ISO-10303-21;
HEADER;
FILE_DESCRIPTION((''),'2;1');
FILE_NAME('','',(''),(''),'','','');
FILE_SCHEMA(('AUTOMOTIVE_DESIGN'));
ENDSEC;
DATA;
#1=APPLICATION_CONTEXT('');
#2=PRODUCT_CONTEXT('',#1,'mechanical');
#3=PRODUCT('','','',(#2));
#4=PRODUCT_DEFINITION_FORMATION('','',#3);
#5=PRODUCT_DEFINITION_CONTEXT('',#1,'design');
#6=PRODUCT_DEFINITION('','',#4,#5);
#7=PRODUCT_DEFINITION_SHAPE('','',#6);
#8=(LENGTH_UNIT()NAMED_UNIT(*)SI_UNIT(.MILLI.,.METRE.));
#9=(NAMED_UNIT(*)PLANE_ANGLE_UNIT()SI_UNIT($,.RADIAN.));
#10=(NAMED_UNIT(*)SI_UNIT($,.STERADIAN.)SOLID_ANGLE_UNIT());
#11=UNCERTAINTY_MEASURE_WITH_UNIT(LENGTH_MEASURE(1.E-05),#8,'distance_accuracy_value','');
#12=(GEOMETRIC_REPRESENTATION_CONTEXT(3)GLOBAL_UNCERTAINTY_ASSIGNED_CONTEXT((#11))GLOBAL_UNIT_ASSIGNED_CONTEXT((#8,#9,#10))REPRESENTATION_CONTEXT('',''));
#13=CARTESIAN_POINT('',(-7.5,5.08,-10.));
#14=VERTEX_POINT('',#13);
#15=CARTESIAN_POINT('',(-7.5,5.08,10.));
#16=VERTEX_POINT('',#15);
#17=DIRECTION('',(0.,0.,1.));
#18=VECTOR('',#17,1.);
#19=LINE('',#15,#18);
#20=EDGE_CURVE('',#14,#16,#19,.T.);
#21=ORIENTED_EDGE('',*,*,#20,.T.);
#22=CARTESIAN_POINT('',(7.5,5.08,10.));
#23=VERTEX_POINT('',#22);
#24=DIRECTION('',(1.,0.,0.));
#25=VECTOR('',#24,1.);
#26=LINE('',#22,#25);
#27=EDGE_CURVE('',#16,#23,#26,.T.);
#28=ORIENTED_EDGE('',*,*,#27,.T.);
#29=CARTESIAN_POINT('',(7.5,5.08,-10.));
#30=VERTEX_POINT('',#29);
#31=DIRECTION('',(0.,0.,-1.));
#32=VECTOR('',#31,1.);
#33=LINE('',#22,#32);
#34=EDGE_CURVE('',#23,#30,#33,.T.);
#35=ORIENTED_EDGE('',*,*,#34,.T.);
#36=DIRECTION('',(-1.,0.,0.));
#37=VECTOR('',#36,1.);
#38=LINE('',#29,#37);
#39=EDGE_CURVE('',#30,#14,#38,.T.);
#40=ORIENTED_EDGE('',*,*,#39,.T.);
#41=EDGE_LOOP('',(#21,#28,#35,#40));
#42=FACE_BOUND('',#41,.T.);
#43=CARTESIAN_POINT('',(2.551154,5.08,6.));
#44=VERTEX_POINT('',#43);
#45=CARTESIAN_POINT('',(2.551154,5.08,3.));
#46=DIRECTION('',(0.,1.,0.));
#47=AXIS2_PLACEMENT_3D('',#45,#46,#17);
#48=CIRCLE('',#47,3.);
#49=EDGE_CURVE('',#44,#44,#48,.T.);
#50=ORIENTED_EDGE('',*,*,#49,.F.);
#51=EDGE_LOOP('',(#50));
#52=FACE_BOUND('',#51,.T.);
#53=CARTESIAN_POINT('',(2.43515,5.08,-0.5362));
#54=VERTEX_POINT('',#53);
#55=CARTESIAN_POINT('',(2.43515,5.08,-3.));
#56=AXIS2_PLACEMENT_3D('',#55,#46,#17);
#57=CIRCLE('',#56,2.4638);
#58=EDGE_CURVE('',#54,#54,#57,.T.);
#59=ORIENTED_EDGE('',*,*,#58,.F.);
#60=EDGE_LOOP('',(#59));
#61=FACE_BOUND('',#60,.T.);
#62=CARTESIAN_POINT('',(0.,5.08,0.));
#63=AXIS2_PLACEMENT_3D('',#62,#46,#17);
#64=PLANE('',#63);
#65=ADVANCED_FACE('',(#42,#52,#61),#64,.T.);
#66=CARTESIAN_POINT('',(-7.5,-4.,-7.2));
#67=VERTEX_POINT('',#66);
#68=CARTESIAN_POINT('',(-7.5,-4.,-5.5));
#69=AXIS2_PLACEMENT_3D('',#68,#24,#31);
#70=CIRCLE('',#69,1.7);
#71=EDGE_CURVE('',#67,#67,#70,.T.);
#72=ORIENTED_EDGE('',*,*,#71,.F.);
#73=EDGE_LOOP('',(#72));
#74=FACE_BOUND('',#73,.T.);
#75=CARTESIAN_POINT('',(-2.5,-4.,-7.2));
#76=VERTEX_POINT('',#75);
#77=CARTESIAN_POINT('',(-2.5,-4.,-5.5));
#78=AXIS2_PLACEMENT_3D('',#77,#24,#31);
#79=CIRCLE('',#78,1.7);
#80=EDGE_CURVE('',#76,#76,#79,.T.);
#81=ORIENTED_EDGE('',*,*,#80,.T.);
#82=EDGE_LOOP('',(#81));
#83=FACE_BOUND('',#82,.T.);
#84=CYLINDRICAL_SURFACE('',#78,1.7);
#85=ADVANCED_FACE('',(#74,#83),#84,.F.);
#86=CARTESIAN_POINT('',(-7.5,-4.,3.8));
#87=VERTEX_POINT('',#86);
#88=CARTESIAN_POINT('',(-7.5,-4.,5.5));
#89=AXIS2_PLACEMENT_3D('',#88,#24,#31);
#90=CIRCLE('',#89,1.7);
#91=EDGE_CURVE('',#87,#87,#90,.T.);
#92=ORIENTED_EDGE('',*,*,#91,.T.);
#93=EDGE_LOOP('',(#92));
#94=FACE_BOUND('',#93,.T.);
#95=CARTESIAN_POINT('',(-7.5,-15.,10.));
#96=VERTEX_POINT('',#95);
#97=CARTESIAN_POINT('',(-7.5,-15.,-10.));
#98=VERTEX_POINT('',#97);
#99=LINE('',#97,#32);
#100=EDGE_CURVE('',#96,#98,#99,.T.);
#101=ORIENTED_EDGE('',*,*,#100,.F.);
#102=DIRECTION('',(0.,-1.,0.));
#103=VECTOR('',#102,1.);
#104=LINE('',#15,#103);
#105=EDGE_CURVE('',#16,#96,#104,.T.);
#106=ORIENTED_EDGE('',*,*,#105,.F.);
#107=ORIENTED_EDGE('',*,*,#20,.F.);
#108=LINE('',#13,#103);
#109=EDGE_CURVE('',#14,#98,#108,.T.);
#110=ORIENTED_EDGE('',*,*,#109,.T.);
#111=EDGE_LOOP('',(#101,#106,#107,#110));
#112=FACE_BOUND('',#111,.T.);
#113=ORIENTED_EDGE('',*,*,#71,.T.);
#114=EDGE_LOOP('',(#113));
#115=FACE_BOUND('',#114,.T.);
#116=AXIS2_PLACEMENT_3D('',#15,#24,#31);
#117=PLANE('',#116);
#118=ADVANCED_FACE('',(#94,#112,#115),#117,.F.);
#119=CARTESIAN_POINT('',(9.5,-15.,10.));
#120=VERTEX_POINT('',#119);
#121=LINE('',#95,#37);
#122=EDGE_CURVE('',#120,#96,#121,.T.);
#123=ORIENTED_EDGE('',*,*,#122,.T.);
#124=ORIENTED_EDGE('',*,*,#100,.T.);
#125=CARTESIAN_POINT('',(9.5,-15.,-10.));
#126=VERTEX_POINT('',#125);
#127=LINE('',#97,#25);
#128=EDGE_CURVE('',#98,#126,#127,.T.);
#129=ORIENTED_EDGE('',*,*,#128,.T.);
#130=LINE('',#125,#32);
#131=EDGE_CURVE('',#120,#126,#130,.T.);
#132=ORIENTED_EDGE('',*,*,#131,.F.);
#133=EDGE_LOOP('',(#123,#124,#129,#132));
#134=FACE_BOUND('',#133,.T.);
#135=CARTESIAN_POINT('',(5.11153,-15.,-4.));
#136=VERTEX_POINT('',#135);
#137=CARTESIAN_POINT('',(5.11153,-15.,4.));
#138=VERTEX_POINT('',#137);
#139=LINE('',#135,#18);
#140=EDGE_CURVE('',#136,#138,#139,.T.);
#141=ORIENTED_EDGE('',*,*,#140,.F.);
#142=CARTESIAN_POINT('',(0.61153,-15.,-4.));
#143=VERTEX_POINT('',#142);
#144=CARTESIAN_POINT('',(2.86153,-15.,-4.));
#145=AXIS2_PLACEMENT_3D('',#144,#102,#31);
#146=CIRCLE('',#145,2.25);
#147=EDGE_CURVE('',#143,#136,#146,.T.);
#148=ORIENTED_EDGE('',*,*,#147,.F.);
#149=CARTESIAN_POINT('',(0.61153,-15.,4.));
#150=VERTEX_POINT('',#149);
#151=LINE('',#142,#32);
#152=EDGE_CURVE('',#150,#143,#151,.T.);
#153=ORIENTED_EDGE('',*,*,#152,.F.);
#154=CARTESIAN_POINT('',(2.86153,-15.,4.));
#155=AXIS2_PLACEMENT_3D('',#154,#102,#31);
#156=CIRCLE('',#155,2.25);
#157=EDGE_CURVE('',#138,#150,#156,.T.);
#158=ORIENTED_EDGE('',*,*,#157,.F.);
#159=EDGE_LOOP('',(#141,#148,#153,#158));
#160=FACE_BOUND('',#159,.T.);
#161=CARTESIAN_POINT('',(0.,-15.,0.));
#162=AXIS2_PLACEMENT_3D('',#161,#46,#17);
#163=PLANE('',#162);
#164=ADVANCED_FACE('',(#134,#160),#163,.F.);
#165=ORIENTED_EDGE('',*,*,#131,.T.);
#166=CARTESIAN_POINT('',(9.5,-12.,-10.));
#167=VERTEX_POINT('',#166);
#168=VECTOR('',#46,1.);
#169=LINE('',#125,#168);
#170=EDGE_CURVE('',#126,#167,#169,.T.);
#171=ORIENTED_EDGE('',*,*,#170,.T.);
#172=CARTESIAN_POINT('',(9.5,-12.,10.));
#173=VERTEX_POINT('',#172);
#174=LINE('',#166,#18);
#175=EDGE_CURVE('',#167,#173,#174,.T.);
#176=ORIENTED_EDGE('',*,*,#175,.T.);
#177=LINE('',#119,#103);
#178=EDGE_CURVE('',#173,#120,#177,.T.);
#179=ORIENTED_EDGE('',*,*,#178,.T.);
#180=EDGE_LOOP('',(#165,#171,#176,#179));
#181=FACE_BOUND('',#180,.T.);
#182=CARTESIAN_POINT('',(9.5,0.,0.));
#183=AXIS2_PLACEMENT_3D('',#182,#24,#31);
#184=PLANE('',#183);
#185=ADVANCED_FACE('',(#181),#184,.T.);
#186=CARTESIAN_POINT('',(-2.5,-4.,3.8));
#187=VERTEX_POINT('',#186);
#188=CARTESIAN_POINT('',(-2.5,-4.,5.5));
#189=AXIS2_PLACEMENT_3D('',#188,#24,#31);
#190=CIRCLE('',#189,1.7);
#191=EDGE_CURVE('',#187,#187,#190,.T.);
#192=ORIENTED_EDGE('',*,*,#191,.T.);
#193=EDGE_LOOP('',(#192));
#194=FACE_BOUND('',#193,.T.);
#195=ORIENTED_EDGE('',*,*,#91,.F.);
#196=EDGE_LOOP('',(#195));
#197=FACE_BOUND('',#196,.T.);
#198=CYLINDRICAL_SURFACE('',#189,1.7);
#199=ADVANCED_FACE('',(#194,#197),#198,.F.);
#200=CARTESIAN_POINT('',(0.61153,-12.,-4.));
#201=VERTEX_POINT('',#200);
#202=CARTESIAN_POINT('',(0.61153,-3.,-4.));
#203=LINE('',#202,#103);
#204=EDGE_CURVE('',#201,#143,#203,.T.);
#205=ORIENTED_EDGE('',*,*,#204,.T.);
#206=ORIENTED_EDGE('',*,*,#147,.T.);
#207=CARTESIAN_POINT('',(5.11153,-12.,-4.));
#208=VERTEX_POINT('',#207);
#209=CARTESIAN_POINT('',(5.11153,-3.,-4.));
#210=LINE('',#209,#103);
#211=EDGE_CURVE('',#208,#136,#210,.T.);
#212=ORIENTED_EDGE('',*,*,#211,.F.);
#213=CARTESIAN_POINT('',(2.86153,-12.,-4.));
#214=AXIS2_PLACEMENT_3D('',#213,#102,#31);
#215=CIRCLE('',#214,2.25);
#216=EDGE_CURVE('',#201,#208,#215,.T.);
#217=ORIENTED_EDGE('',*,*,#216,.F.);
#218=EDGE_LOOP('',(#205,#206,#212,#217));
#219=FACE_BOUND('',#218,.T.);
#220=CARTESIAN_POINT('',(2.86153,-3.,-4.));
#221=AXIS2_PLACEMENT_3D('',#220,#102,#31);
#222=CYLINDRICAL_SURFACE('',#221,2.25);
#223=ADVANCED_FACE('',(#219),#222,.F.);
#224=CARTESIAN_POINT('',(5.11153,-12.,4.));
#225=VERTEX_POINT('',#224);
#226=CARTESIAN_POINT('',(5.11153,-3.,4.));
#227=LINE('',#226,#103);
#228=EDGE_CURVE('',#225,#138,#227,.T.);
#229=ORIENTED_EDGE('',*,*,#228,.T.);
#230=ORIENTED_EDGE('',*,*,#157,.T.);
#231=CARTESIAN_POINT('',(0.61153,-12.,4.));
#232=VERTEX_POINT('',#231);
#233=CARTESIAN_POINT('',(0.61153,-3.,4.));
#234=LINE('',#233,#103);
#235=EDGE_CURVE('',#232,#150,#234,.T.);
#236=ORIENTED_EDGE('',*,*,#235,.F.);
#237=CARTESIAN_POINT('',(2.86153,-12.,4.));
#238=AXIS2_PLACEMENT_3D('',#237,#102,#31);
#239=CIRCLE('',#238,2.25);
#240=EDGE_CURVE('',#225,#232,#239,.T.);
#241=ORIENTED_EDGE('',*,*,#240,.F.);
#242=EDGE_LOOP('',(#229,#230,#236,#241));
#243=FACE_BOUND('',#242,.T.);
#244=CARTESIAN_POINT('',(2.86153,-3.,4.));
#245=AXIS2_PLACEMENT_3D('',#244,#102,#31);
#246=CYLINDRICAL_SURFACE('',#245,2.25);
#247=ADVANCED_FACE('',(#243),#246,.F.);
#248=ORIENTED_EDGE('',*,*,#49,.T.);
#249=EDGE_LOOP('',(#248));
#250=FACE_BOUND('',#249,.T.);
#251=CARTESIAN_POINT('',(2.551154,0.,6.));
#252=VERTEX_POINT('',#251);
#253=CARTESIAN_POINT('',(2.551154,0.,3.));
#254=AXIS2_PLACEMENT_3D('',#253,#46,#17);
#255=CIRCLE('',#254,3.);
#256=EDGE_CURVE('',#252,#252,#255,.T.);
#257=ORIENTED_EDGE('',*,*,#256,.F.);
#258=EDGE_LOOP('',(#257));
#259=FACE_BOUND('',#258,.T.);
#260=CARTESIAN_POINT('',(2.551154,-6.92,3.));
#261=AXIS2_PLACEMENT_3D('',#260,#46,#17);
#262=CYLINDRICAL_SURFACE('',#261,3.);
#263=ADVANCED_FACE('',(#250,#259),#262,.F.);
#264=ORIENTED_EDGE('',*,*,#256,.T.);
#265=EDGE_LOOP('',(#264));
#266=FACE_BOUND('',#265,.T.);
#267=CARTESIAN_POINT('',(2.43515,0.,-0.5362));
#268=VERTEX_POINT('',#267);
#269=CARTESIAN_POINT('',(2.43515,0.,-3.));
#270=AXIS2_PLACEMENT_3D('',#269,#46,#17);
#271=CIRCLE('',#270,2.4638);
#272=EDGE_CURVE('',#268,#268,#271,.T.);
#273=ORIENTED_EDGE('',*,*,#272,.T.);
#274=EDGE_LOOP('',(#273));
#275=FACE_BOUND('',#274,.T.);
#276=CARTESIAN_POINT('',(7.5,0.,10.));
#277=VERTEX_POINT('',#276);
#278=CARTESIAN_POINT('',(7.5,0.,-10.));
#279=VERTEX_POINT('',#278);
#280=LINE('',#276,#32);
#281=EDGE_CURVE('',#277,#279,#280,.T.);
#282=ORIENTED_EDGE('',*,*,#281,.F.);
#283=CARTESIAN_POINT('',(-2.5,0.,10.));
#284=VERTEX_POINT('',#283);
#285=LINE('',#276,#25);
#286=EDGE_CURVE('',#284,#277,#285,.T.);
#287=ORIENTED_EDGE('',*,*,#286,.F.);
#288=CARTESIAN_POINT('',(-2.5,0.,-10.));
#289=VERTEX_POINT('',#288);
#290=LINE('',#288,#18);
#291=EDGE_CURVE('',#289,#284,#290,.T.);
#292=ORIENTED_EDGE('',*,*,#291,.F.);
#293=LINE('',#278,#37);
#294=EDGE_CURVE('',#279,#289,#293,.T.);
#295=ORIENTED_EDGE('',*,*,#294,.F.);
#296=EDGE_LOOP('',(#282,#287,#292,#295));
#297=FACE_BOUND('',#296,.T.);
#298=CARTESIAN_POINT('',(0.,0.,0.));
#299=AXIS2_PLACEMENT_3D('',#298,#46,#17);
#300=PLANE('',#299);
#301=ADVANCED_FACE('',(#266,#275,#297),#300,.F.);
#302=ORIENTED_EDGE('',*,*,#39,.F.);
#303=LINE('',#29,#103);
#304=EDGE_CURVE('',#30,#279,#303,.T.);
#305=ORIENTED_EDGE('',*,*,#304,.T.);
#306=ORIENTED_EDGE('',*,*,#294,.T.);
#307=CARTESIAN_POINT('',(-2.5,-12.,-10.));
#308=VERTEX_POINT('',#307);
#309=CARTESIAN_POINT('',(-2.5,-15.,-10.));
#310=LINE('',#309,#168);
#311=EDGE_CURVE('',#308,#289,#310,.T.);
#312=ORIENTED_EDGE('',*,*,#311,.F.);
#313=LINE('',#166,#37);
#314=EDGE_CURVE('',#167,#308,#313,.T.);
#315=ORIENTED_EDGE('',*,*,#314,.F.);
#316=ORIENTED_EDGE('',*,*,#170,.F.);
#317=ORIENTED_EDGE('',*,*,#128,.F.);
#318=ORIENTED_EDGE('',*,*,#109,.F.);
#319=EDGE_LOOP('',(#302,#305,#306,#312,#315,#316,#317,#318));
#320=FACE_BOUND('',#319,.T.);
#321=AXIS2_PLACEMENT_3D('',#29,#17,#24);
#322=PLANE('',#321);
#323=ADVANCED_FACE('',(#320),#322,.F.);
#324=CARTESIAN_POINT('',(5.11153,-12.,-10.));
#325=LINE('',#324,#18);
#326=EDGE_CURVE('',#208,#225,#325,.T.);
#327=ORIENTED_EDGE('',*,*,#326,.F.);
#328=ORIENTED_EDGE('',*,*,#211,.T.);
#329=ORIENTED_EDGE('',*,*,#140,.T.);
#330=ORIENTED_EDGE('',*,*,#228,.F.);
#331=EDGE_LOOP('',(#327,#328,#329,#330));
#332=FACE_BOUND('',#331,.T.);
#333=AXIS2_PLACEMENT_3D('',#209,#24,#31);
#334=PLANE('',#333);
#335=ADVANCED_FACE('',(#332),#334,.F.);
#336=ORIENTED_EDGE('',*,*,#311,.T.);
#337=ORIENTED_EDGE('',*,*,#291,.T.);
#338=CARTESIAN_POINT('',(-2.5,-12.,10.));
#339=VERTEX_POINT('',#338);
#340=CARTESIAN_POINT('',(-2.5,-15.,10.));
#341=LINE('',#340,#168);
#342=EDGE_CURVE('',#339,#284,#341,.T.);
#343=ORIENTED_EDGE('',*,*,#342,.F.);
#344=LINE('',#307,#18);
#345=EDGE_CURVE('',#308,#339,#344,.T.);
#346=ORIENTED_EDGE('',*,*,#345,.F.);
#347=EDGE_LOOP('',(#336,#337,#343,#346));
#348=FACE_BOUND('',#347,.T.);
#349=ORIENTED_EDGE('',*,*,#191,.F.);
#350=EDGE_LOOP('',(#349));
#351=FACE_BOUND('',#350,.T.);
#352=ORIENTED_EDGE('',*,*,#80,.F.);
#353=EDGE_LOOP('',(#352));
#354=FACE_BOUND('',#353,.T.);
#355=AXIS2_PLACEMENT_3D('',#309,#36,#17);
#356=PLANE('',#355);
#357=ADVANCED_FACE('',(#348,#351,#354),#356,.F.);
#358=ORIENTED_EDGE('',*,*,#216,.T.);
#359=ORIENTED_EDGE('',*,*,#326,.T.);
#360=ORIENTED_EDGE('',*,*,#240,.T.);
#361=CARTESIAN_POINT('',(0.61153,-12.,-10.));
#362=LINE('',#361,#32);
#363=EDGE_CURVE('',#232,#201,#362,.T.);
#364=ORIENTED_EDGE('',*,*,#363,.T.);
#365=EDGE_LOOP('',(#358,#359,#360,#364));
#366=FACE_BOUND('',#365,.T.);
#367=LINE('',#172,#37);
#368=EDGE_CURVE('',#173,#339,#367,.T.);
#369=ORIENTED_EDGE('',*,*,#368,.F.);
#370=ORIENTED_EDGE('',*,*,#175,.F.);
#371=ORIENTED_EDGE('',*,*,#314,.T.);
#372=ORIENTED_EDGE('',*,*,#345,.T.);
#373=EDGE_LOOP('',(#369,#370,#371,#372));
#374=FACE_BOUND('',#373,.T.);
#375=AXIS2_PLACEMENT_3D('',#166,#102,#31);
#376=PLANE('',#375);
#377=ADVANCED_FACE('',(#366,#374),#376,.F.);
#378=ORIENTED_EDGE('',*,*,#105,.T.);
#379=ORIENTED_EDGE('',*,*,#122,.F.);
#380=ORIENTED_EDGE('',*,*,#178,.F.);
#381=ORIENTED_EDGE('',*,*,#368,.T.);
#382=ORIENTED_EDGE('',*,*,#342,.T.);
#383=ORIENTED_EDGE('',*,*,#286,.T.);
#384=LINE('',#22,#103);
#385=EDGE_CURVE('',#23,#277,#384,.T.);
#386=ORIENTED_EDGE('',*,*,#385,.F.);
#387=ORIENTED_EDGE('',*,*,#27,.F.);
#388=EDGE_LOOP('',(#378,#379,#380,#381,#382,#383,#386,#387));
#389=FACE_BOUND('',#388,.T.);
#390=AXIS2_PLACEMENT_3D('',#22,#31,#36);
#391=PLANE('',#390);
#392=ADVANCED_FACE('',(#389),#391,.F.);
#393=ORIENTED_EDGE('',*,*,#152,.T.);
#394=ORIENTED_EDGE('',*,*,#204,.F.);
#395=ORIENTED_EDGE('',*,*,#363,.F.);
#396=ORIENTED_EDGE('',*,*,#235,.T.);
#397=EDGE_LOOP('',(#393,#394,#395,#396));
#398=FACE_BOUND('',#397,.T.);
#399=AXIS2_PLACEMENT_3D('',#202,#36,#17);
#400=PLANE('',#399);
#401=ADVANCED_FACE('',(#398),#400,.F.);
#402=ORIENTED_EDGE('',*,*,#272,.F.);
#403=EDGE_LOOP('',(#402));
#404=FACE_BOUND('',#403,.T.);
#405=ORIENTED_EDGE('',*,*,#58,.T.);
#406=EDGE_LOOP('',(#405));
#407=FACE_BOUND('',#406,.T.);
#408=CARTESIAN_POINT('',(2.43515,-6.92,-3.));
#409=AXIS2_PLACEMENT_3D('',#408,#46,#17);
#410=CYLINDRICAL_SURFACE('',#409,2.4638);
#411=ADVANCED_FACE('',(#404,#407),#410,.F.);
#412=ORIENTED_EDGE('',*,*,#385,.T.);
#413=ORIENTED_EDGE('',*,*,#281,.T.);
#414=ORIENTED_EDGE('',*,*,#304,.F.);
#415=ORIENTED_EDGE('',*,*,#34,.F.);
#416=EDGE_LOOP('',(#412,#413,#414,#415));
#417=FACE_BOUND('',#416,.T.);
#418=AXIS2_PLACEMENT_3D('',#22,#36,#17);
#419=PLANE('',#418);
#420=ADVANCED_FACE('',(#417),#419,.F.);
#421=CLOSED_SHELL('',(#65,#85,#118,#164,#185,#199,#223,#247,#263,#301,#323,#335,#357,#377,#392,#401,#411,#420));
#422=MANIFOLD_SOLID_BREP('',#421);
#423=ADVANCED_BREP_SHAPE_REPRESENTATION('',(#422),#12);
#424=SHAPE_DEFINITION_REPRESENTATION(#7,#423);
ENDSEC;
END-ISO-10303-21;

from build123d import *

# Parameters (mm, degrees)
SKETCH1_W            = 15
SKETCH1_H            = 20
BOSS_EXTRUDE1_DEPTH  = 5.08
SKETCH2_W            = 5
SKETCH2_H            = 20
BOSS_EXTRUDE2_DEPTH  = 15
M3_CLEARANCE_HOLE1_D = 3.4
SKETCH7_W            = 20
SKETCH7_H            = 3
BOSS_EXTRUDE3_DEPTH  = 12
SKETCH3_R            = 2.4638
CUT_EXTRUDE1_DEPTH   = 12
SKETCH4_R            = 3
CUT_EXTRUDE2_DEPTH   = 12
CUT_EXTRUDE3_DEPTH   = 12


with BuildPart() as part:
    # Sketch1 → Boss-Extrude1 (new body)
    with BuildSketch(Plane(origin=(0, 0, 0), x_dir=(1, 0, 0), z_dir=(0, 1, 0))):
        Rectangle(SKETCH1_W, SKETCH1_H)
    extrude(amount=BOSS_EXTRUDE1_DEPTH)

    # Sketch2 → Boss-Extrude2 (add)
    with BuildSketch(Plane(origin=(0, 0, 0), x_dir=(-1, 0, 0), z_dir=(0, -1, 0))):
        with Locations((5, 0)):
            Rectangle(SKETCH2_W, SKETCH2_H)
    extrude(amount=BOSS_EXTRUDE2_DEPTH)

    # M3 Clearance Hole1 (through all)
    with Locations(Plane(origin=(-2.5, 0, 0), x_dir=(0, 0, -1), z_dir=(1, 0, 0))):
        with Locations((5.5, -4), (-5.5, -4)):
            Hole(M3_CLEARANCE_HOLE1_D / 2)

    # Sketch7 → Boss-Extrude3 (add)
    with BuildSketch(Plane(origin=(-2.5, 0, 0), x_dir=(0, 0, -1), z_dir=(1, 0, 0))):
        with Locations((0, -13.5)):
            Rectangle(SKETCH7_W, SKETCH7_H)
    extrude(amount=BOSS_EXTRUDE3_DEPTH)

    # Sketch3 → Cut-Extrude1 (cut)
    with BuildSketch(Plane(origin=(0, 5.08, 0), x_dir=(1, 0, 0), z_dir=(0, 1, 0))):
        with Locations((2.435150465, 3)):
            Circle(SKETCH3_R)
    extrude(amount=-CUT_EXTRUDE1_DEPTH, mode=Mode.SUBTRACT)

    # Sketch4 → Cut-Extrude2 (cut)
    with BuildSketch(Plane(origin=(0, 5.08, 0), x_dir=(1, 0, 0), z_dir=(0, 1, 0))):
        with Locations((2.551153976, -3)):
            Circle(SKETCH4_R)
    extrude(amount=-CUT_EXTRUDE2_DEPTH, mode=Mode.SUBTRACT)

    # Sketch8 → Cut-Extrude3 (cut)
    with BuildSketch(Plane(origin=(0, -15, 0), x_dir=(-1, 0, 0), z_dir=(0, -1, 0))):
        with BuildLine():
            Line((-0.611529575, 4), (-0.611529575, -4))
            ThreePointArc((-0.611529575, -4), (-2.861529575, -6.25), (-5.111529575, -4))
            Line((-5.111529575, -4), (-5.111529575, 4))
            ThreePointArc((-5.111529575, 4), (-2.861529575, 6.25), (-0.611529575, 4))
        make_face()
    extrude(amount=-CUT_EXTRUDE3_DEPTH, mode=Mode.SUBTRACT)


solid = part.part
